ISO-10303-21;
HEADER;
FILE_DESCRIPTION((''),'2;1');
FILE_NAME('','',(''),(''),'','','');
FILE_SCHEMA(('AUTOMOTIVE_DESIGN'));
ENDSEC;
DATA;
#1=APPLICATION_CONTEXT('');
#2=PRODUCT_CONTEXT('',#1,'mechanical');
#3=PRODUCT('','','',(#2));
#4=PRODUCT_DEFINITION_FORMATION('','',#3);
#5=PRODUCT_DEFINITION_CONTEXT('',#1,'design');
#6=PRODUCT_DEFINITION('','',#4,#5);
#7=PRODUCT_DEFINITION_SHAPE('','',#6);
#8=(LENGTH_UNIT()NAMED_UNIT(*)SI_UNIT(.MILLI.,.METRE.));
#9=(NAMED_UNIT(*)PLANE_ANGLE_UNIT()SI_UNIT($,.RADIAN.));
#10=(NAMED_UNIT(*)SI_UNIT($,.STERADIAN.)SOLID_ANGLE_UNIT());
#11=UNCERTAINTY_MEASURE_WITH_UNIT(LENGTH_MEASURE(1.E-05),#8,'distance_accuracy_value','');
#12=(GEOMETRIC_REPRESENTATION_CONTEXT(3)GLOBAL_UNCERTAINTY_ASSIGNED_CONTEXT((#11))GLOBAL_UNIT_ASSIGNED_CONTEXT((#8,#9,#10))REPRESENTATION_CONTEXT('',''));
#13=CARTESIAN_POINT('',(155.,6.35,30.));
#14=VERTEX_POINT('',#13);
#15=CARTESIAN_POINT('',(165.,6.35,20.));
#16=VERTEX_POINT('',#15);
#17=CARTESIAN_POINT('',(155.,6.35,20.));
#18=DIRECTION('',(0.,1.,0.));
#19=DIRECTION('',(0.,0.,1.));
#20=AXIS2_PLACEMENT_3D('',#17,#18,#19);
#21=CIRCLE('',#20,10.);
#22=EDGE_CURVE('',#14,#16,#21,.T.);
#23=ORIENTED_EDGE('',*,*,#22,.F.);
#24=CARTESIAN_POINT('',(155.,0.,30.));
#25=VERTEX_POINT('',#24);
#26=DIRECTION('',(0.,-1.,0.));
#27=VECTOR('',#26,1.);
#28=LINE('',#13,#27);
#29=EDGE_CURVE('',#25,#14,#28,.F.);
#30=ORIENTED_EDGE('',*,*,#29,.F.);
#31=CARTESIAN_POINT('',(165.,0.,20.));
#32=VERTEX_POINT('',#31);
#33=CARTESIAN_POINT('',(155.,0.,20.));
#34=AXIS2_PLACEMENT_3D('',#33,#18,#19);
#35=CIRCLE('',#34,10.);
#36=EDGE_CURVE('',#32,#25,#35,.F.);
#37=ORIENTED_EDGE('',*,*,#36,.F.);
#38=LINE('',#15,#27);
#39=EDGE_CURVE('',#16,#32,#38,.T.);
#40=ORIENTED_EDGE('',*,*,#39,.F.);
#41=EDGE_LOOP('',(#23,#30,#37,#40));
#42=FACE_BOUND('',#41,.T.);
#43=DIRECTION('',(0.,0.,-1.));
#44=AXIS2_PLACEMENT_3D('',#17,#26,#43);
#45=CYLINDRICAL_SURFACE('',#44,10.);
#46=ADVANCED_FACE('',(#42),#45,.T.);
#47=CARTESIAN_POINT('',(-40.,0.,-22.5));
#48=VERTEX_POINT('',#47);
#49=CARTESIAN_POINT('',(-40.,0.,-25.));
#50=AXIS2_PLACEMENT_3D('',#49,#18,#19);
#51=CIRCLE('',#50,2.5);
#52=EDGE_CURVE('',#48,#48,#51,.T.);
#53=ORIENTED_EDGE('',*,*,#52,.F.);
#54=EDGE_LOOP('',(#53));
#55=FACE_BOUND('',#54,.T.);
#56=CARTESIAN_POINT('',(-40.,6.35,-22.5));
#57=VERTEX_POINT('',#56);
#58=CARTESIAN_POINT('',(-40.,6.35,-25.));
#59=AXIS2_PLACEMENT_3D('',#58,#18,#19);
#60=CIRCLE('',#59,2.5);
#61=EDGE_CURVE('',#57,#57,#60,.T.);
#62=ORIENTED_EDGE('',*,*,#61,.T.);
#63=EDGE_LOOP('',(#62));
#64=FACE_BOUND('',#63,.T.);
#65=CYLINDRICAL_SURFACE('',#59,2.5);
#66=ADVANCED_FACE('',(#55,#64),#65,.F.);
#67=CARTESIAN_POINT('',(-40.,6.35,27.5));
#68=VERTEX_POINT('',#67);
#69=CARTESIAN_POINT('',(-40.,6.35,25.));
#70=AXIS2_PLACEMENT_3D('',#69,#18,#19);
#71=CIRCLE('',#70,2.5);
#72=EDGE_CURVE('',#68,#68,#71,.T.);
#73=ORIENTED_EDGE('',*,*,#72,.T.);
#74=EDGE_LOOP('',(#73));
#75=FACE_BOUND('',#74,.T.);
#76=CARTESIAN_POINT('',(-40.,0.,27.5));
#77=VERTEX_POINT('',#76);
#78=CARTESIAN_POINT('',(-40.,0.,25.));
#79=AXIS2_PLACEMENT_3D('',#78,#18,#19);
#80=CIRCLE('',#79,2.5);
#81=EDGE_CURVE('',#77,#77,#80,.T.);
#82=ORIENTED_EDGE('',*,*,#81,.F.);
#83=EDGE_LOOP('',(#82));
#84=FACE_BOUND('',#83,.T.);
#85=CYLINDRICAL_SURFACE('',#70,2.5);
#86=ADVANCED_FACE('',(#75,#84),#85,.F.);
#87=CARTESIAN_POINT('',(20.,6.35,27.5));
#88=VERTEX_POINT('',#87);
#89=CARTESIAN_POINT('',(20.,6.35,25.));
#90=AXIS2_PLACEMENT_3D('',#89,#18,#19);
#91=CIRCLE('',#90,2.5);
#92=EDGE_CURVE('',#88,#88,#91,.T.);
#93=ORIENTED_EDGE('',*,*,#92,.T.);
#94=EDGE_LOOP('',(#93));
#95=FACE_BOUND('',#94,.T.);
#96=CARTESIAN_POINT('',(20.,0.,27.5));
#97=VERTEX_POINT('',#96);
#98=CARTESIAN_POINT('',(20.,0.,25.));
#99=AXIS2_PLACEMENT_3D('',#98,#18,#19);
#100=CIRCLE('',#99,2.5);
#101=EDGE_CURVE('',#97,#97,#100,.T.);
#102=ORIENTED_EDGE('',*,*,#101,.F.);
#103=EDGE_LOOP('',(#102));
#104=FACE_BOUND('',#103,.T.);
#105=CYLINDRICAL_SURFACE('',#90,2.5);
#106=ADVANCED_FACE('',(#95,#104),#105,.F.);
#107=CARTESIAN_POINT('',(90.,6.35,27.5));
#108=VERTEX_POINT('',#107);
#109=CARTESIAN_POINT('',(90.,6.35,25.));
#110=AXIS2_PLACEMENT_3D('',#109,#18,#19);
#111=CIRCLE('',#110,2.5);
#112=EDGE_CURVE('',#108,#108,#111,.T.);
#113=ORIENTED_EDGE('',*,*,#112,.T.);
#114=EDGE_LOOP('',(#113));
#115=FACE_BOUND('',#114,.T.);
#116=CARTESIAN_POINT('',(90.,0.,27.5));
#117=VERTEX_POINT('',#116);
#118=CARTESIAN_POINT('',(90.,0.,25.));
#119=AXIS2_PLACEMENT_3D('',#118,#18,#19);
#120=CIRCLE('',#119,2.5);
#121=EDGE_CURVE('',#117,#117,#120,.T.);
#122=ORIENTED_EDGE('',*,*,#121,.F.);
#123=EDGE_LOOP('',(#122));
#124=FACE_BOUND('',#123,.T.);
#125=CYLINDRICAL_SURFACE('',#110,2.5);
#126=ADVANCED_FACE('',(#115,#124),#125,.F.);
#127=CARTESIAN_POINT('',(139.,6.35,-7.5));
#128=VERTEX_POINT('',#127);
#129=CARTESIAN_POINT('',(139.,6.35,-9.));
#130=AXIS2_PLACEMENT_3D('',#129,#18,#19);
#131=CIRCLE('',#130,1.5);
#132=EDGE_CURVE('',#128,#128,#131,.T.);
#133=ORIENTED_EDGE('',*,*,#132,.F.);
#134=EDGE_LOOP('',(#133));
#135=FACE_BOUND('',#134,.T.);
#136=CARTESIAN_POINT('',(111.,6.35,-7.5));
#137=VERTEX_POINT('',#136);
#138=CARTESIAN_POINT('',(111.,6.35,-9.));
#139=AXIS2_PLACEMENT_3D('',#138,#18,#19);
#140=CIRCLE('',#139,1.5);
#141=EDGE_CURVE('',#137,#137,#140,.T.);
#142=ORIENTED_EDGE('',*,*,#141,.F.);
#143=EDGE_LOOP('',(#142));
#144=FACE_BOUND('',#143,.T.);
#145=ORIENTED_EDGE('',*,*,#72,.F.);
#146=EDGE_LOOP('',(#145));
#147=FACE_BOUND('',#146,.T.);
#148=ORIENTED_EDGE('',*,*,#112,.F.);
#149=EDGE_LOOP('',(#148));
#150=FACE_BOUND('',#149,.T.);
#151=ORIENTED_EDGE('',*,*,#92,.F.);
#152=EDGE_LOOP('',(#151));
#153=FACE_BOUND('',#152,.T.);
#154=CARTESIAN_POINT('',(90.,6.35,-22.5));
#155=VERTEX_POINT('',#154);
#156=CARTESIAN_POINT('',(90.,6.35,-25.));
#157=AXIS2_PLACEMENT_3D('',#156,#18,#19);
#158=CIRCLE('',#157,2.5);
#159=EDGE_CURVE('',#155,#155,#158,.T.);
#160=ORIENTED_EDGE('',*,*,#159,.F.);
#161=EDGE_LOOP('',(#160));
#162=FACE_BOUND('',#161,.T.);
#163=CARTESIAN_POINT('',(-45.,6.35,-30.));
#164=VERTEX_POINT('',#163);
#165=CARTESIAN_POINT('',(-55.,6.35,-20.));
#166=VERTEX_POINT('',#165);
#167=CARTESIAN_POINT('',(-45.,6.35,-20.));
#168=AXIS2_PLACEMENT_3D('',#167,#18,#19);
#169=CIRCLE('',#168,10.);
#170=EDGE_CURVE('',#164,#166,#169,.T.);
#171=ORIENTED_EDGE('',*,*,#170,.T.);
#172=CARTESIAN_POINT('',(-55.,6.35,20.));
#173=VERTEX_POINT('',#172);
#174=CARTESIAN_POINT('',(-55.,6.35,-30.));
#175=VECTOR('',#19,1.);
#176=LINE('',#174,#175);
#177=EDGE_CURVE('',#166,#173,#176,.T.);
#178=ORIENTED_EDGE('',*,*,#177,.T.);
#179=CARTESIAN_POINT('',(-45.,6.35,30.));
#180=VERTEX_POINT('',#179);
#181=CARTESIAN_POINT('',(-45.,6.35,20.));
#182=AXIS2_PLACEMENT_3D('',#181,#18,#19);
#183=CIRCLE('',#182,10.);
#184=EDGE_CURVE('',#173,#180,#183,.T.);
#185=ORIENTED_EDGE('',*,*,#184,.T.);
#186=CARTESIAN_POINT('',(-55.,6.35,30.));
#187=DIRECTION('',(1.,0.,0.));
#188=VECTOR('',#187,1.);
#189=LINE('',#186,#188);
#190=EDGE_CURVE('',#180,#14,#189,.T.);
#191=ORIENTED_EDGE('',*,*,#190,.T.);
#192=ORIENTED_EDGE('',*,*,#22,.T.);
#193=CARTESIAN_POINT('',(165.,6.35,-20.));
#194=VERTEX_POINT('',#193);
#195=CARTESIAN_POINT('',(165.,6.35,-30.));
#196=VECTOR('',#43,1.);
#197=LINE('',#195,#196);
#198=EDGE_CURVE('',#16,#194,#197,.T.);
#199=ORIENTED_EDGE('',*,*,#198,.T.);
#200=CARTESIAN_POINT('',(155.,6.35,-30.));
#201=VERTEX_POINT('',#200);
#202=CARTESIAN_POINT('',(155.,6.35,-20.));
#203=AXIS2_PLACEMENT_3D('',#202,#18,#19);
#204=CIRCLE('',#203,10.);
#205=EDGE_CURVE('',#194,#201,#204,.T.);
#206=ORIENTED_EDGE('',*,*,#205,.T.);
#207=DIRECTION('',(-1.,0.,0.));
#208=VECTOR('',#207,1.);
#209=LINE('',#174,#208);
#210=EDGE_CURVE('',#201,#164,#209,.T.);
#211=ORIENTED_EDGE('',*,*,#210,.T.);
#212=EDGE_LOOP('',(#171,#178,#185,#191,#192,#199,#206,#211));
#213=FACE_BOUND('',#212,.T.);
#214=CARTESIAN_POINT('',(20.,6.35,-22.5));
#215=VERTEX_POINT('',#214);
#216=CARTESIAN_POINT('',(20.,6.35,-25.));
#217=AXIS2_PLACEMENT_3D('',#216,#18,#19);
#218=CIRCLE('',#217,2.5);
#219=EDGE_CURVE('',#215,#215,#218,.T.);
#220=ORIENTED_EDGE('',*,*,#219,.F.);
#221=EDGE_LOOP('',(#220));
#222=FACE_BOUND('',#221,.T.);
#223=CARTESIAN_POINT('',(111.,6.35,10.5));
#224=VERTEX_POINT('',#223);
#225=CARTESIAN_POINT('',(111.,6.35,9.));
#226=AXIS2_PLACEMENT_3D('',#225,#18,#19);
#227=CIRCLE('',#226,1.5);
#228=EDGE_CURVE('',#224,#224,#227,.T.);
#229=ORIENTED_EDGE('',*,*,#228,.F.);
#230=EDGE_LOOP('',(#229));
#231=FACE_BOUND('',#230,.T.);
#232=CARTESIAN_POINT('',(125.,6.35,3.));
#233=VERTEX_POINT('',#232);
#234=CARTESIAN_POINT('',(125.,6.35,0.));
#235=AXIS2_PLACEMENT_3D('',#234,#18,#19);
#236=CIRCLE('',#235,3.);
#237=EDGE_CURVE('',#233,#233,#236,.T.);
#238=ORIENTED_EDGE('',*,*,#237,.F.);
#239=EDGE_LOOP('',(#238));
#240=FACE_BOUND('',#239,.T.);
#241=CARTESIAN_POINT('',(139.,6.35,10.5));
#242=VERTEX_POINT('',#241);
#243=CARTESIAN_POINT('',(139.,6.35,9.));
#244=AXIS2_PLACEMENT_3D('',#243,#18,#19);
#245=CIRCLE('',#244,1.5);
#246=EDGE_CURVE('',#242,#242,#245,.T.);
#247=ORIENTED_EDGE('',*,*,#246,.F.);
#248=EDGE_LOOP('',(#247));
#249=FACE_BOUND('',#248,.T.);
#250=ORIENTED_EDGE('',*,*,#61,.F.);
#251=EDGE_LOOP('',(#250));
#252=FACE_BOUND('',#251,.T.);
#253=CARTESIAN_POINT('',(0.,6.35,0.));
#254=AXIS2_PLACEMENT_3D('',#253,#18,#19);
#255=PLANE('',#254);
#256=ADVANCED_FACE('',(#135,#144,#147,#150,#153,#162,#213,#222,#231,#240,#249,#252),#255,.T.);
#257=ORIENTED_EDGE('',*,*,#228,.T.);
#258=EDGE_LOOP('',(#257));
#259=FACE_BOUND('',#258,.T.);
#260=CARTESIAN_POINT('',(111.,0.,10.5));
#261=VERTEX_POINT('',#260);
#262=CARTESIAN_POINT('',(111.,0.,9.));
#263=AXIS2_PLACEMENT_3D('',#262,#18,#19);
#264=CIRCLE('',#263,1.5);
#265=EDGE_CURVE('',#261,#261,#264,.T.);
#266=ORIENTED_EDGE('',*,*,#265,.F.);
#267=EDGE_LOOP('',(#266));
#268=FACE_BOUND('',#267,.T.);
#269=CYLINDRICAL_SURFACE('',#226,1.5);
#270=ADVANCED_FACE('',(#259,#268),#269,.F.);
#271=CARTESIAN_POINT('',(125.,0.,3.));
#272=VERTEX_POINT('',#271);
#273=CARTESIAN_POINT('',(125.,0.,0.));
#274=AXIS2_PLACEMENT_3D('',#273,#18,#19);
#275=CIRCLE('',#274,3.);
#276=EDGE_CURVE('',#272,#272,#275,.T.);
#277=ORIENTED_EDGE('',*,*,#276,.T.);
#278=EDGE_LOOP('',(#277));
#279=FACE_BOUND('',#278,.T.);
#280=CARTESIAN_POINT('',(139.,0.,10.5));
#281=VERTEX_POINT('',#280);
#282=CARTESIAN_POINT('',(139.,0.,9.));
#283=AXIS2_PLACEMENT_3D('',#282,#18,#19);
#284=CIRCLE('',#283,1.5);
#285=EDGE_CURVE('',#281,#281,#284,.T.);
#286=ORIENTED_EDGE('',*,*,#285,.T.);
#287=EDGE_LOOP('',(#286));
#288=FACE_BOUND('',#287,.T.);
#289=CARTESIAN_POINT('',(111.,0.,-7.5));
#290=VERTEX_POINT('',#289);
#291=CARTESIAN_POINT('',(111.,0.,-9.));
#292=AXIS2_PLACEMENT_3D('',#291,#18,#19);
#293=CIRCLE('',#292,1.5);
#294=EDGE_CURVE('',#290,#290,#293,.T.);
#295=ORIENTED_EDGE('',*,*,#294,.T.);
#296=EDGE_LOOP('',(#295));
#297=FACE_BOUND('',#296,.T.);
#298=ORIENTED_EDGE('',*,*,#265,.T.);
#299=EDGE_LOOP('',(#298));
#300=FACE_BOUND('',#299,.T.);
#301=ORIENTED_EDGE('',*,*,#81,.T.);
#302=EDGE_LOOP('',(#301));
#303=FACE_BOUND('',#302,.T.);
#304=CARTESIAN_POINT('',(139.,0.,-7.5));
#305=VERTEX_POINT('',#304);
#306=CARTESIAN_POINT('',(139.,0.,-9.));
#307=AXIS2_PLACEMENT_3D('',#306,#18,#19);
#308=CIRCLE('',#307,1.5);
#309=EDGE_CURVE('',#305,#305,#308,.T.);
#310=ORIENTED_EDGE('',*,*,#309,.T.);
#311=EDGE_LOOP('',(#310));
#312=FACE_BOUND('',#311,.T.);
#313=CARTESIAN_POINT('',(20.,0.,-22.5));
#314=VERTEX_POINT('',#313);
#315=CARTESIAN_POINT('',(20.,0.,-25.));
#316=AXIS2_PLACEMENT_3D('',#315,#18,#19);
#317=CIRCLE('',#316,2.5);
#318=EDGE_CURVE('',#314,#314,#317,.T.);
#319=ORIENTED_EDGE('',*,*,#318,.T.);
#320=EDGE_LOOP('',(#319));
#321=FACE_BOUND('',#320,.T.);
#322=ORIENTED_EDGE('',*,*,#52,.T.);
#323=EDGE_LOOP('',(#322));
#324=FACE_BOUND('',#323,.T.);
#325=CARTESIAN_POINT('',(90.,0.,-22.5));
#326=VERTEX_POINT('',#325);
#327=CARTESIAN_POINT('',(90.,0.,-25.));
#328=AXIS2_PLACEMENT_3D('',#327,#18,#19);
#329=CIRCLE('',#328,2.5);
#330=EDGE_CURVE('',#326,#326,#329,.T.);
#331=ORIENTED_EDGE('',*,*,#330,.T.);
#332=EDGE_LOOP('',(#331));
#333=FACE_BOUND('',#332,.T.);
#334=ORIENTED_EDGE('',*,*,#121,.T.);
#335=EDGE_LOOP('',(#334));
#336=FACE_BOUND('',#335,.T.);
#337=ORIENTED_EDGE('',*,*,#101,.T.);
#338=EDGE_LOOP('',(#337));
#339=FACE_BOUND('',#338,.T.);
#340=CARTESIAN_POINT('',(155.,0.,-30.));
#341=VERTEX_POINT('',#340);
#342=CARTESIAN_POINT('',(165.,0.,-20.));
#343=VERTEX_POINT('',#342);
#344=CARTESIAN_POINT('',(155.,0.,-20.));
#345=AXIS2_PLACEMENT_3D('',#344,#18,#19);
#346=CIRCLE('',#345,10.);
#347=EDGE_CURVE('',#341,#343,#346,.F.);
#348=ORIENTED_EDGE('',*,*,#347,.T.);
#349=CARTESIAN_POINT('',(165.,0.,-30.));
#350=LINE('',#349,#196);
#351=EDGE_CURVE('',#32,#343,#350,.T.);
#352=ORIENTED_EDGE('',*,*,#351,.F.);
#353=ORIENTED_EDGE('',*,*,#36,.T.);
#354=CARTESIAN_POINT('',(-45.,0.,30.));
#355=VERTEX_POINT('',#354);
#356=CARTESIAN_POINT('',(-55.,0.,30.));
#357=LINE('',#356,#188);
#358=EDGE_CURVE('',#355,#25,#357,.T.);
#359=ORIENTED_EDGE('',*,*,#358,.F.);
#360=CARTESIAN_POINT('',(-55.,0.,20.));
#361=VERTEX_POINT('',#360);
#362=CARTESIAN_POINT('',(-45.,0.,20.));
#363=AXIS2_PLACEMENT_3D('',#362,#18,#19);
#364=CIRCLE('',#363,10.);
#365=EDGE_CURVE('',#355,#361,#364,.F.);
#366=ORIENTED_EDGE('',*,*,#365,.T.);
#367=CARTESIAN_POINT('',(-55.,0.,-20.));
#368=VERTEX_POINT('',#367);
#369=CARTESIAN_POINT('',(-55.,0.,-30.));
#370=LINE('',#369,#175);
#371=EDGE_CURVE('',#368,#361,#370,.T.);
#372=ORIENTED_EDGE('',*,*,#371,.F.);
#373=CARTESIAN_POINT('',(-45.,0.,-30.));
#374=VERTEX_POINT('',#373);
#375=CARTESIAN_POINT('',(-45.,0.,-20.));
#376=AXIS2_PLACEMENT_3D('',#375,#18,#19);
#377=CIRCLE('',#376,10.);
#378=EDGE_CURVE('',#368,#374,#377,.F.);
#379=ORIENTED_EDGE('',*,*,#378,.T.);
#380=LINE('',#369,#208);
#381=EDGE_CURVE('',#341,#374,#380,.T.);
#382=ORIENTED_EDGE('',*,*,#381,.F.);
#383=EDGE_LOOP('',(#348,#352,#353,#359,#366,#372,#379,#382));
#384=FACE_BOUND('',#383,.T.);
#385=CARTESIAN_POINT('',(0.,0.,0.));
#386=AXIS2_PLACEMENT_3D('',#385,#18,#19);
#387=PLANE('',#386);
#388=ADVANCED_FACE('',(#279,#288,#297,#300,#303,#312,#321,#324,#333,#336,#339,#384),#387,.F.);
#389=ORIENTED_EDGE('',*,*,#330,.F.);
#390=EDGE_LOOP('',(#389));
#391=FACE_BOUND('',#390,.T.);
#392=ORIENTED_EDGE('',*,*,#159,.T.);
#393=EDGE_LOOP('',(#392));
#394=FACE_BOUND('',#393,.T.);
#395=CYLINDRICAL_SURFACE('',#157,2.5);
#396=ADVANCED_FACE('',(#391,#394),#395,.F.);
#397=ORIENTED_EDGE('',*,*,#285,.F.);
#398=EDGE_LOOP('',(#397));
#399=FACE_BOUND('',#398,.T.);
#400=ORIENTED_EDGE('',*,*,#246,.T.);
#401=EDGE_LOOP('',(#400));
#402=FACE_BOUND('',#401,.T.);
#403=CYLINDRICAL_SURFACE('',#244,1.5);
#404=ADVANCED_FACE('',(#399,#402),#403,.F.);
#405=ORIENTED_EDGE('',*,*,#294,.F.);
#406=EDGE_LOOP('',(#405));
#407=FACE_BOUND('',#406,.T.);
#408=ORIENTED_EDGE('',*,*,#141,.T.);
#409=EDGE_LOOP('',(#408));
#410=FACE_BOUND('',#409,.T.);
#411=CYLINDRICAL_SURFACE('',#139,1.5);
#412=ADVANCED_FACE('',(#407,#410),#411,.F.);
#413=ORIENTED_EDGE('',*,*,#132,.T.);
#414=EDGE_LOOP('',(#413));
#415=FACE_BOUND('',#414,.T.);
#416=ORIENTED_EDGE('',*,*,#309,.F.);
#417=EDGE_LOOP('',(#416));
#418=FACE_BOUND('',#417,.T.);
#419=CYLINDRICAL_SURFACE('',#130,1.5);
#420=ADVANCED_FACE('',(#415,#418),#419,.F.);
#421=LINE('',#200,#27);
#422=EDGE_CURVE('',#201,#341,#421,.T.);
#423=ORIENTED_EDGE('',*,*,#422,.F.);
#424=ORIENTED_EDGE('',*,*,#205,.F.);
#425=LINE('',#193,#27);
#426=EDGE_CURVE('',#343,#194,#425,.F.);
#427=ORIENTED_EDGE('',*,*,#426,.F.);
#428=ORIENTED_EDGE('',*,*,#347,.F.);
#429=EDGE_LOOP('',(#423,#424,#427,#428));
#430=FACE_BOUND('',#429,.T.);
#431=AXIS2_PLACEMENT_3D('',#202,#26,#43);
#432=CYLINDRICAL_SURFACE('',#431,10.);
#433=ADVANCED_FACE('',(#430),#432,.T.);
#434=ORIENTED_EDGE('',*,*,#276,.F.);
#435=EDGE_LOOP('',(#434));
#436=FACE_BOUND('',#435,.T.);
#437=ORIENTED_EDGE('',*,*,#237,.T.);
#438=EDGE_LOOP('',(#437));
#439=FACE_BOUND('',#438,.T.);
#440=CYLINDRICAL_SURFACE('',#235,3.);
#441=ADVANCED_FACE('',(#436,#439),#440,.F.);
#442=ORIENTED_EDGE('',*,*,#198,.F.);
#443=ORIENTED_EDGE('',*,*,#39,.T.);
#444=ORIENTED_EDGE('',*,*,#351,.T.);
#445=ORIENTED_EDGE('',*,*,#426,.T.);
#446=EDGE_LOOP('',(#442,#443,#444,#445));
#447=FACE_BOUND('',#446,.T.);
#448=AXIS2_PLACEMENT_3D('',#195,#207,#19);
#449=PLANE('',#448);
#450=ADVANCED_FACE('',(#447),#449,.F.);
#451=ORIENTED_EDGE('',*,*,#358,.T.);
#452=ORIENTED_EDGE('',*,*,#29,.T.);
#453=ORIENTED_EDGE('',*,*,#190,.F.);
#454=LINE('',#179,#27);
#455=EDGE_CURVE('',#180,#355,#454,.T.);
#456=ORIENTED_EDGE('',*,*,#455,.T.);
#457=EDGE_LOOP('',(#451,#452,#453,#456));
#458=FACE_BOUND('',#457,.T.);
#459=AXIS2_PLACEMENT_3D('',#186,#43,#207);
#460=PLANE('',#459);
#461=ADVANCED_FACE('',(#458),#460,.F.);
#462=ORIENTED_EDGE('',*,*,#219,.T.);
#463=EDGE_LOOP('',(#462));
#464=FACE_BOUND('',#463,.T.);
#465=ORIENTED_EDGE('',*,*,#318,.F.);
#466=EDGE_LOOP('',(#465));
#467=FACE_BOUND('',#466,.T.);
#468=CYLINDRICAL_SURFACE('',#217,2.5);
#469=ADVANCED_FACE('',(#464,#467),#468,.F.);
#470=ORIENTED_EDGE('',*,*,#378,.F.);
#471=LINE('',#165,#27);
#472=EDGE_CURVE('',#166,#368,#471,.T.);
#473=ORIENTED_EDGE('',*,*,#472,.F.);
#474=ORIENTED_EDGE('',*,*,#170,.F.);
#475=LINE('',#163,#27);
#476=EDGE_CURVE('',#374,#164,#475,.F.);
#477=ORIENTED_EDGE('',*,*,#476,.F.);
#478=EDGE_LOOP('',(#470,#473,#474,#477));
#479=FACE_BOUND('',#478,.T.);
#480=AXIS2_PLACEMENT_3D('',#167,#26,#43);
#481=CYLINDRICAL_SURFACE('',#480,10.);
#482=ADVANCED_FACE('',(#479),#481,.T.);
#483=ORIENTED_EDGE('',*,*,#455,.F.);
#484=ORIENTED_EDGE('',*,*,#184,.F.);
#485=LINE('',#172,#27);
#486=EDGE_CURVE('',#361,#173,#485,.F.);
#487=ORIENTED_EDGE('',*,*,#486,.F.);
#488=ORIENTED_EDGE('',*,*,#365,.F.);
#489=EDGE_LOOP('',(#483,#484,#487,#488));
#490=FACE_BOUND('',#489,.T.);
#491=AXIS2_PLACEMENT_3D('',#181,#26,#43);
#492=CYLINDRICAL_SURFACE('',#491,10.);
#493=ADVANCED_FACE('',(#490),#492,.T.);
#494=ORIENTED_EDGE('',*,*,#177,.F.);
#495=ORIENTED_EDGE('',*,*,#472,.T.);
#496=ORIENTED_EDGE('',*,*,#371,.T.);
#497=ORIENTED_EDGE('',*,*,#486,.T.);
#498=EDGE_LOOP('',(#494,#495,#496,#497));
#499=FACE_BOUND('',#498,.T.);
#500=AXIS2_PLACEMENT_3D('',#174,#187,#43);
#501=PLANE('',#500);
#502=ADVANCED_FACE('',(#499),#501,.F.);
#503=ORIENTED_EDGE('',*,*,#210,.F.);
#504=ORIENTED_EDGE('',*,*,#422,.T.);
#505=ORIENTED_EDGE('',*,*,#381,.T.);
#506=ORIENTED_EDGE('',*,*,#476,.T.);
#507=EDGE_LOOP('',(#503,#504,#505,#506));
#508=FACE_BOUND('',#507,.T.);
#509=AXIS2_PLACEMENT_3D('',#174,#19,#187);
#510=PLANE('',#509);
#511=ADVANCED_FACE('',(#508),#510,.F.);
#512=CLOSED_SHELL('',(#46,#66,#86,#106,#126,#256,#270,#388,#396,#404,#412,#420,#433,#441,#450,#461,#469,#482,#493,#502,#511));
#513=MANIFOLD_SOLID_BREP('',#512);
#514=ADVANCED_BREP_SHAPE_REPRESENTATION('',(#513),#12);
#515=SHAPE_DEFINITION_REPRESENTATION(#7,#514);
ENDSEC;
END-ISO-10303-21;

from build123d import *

# Parameters (mm, degrees)
SKETCH1_W             = 220
SKETCH1_H             = 60
BOSS_EXTRUDE1_DEPTH   = 6.35
FILLET1_R             = 10
F_6_0MM_DOWEL_HOLE1_D = 6
F_3_0MM_DOWEL_HOLE1_D = 3
F_5_0MM_DOWEL_HOLE1_D = 5


with BuildPart() as part:
    # Sketch1 → Boss-Extrude1 (new body)
    with BuildSketch(Plane(origin=(0, 0, 0), x_dir=(1, 0, 0), z_dir=(0, 1, 0))):
        with Locations((55, 0)):
            Rectangle(SKETCH1_W, SKETCH1_H)
    extrude(amount=BOSS_EXTRUDE1_DEPTH)

    # Fillet1
    fillet1_edges = [part.edges().sort_by_distance(p)[0] for p in [
        (-55, 3.175, -30),
        (165, 3.175, -30),
        (165, 3.175, 30),
        (-55, 3.175, 30),
    ]]
    fillet(fillet1_edges, radius=FILLET1_R)

    # Ø6.0mm Dowel Hole1 (through all)
    with Locations(Plane(origin=(0, 6.35, 0), x_dir=(1, 0, 0), z_dir=(0, 1, 0))):
        with Locations((125, 0)):
            Hole(F_6_0MM_DOWEL_HOLE1_D / 2)

    # Ø3.0mm Dowel Hole1 (through all)
    with Locations(Plane(origin=(0, 6.35, 0), x_dir=(1, 0, 0), z_dir=(0, 1, 0))):
        with Locations((139, -9), (111, -9), (111, 9), (139, 9)):
            Hole(F_3_0MM_DOWEL_HOLE1_D / 2)

    # Ø5.0mm Dowel Hole1 (through all)
    with Locations(Plane(origin=(0, 6.35, 0), x_dir=(1, 0, 0), z_dir=(0, 1, 0))):
        with Locations((20, -25), (90, -25), (90, 25), (20, 25), (-40, -25), (-40, 25)):
            Hole(F_5_0MM_DOWEL_HOLE1_D / 2)


solid = part.part
